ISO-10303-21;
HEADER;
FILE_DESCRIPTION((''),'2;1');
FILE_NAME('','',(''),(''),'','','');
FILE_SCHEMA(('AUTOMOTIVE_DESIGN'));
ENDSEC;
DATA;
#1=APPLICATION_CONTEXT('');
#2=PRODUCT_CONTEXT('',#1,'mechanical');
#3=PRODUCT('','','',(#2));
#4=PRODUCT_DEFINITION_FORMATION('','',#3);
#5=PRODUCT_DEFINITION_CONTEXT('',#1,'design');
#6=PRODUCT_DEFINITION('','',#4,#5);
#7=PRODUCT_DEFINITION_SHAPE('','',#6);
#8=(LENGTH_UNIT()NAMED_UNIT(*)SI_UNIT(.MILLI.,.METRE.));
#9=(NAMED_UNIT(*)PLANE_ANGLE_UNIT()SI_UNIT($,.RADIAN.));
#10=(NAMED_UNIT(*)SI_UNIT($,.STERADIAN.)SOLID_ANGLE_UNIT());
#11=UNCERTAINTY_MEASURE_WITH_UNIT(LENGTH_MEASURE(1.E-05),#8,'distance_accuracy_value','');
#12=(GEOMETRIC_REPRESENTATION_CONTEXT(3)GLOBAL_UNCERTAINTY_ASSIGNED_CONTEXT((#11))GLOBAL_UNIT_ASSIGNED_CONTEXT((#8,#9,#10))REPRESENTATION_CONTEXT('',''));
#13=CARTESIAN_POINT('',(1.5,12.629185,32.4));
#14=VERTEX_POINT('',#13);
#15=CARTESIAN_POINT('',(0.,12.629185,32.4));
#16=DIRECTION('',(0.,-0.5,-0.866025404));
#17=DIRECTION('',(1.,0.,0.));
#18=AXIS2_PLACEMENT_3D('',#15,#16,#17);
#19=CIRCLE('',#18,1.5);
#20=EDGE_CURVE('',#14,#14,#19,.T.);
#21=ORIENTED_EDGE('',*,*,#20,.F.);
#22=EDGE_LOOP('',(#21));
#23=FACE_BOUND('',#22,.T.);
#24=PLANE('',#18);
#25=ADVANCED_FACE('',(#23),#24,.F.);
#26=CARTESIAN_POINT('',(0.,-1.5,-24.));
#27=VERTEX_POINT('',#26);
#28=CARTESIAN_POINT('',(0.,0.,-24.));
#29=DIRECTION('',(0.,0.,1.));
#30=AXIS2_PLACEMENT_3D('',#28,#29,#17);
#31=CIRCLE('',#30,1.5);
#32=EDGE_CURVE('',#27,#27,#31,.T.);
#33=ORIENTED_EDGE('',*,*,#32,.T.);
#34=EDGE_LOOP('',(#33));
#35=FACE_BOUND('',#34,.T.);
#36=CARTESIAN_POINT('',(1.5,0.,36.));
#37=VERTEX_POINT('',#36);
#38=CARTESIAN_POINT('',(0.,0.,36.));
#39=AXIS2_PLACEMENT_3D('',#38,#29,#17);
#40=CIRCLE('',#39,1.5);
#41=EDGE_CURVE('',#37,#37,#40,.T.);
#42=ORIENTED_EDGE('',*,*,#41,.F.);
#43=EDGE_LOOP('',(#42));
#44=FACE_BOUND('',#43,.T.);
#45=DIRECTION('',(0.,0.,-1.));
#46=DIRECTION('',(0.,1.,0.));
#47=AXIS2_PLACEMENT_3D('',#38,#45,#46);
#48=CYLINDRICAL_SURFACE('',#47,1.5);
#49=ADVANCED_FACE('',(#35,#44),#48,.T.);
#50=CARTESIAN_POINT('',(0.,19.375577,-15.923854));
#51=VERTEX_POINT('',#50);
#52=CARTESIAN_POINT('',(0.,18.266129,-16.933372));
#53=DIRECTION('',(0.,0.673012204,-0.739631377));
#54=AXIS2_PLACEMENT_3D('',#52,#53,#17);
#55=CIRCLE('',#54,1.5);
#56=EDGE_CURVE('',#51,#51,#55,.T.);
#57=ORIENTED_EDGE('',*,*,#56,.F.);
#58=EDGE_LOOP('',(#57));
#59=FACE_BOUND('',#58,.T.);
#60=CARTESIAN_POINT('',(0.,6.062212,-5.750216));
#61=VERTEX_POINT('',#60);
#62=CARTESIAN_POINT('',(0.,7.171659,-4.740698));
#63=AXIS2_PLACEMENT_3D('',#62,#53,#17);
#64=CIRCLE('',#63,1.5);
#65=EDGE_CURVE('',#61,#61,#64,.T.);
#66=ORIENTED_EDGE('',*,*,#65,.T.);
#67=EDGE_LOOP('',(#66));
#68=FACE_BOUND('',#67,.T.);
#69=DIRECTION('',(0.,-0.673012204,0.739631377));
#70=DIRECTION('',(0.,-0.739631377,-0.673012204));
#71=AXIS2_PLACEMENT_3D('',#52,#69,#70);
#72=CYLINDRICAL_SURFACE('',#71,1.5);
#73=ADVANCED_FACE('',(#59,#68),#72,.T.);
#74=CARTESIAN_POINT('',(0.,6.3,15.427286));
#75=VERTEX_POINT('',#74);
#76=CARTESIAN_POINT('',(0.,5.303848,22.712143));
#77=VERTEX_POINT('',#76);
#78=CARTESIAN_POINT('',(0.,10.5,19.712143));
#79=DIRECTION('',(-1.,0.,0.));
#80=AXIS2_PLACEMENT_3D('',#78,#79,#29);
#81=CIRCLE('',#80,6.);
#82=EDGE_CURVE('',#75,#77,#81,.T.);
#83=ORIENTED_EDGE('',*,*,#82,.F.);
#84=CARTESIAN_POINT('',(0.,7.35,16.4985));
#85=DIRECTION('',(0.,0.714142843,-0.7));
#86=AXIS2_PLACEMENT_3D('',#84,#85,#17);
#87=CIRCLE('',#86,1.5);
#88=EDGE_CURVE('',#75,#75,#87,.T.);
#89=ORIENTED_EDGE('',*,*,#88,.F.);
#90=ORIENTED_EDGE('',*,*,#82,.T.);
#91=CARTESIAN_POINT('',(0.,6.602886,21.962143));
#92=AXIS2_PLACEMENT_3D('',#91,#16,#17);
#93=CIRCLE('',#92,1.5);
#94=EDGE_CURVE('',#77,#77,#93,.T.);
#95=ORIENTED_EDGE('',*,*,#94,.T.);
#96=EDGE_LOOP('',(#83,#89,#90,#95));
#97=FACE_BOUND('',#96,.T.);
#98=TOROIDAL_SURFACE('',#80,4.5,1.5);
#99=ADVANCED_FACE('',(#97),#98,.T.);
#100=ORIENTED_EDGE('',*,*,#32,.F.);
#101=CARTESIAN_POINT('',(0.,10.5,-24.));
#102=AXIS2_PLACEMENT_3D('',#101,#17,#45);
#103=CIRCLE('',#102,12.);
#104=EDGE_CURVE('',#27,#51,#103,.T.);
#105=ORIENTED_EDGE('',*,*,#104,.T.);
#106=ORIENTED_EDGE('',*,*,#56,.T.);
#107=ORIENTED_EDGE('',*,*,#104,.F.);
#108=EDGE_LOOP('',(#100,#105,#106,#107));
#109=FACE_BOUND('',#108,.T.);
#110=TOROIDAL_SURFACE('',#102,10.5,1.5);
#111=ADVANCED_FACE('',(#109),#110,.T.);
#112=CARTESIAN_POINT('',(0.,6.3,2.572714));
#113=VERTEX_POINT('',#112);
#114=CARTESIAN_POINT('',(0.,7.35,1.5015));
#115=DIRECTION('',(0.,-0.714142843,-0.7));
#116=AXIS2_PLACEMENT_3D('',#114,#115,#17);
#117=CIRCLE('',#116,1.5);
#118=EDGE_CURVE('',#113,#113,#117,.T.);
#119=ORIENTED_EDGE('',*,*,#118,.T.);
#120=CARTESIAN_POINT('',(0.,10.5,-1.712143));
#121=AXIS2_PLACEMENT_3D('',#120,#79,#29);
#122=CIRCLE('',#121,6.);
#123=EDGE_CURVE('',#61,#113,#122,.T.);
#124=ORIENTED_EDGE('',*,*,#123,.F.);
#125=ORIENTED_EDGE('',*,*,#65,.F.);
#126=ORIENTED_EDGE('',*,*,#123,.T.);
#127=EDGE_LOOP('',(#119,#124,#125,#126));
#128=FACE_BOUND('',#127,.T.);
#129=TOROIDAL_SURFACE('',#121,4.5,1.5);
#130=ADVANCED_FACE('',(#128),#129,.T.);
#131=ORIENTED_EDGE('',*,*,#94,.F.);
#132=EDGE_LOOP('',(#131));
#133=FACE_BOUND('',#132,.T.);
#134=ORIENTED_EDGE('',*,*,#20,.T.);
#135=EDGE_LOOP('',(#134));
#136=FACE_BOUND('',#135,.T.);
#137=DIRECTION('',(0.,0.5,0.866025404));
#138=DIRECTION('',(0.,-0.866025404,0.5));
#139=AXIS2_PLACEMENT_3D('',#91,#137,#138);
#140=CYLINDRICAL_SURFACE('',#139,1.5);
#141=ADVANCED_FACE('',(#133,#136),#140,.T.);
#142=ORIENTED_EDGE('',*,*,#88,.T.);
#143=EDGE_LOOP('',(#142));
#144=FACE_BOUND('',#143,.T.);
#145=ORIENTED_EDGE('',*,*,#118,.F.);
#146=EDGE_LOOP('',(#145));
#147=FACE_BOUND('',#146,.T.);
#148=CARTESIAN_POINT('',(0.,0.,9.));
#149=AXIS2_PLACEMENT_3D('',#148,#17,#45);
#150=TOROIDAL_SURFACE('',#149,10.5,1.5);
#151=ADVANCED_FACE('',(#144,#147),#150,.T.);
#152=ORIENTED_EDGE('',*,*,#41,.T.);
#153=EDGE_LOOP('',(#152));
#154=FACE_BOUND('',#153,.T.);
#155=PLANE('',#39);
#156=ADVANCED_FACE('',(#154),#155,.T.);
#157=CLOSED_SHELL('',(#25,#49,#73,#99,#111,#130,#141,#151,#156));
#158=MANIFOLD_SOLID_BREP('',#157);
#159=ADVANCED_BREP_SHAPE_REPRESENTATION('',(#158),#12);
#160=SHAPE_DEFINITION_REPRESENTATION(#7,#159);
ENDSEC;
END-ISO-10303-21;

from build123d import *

# Parameters (mm, degrees)
SKETCH2_R = 1.5


with BuildPart() as part:
    # Sweep1: sweep along a path in Sketch3
    with BuildLine(Plane(origin=(0, 0, 0), x_dir=(0, 0, -1), z_dir=(1, 0, 0))) as sweep1_path:
        Line((-32.4, 12.629185438), (-21.962142643, 6.602885683))
        ThreePointArc((-21.962142643, 6.602885683), (-19.102473217, 6.041490923), (-16.49849985, 7.35))
        ThreePointArc((-16.49849985, 7.35), (-9, 10.5), (-1.50150015, 7.35))
        ThreePointArc((-1.50150015, 7.35), (1.583628924, 6.001835461), (4.74069756, 7.171658805))
        Line((4.74069756, 7.171658805), (16.933371859, 18.266129455))
        ThreePointArc((16.933371859, 18.266129455), (33.792710536, 14.288511628), (24, 0))
        Line((24, 0), (-36, 0))
    # Sketch2 → Sweep1 (sweep)
    with BuildSketch(Plane.XY.offset(36)):
        Circle(SKETCH2_R)
    sweep(path=sweep1_path.line)


solid = part.part
